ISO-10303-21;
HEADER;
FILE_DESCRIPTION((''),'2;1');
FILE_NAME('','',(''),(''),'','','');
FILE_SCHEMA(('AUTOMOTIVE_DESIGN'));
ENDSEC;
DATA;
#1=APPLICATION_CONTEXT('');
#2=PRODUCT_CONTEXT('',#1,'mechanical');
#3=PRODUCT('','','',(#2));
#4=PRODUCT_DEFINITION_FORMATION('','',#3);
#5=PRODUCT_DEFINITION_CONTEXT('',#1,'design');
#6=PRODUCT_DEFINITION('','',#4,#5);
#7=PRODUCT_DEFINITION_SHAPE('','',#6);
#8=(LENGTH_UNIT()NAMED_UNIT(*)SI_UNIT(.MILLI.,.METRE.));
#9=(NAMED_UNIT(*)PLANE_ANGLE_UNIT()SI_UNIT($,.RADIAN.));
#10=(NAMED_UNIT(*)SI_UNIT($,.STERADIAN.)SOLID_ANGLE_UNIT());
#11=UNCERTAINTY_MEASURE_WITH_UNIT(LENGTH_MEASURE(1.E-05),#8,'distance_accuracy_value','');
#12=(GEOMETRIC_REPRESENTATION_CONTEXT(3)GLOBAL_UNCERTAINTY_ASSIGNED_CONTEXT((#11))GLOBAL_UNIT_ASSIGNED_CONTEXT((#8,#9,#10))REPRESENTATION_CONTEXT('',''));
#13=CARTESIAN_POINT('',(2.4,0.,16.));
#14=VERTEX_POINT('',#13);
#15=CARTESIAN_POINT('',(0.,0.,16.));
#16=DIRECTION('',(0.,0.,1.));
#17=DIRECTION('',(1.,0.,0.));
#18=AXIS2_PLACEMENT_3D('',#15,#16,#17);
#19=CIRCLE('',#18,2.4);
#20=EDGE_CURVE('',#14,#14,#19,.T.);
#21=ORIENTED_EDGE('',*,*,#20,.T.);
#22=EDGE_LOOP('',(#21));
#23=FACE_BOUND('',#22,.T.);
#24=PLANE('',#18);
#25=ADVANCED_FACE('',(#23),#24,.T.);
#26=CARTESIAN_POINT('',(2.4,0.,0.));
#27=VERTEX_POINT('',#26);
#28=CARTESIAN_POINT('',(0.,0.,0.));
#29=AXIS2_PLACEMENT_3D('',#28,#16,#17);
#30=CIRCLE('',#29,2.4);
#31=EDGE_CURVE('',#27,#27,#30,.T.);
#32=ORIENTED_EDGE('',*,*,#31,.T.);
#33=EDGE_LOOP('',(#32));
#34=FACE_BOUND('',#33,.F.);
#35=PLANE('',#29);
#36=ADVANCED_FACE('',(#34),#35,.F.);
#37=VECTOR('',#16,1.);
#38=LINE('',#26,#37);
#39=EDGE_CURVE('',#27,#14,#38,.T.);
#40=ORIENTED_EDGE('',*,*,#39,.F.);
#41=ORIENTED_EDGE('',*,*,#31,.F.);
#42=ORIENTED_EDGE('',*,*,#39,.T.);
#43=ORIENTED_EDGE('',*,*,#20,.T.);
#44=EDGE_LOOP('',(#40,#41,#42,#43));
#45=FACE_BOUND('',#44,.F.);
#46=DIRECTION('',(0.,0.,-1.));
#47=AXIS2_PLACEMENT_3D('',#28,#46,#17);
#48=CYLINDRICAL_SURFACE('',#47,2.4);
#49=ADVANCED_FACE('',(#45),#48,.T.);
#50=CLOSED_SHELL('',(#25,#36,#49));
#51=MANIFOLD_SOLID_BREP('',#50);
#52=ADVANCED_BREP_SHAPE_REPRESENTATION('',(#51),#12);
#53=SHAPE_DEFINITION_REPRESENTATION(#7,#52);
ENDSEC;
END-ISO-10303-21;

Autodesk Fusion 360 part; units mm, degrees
sketch "Sketch1" plane through (0, 0, 0) normal (0, 0, 1) x (1, 0, 0)
  circle A0 centre (0, 0) radius 2.4
  dimension "d1" = 4.8
extrude "Extrude1" add sketch "Sketch1" along normal blind 16
